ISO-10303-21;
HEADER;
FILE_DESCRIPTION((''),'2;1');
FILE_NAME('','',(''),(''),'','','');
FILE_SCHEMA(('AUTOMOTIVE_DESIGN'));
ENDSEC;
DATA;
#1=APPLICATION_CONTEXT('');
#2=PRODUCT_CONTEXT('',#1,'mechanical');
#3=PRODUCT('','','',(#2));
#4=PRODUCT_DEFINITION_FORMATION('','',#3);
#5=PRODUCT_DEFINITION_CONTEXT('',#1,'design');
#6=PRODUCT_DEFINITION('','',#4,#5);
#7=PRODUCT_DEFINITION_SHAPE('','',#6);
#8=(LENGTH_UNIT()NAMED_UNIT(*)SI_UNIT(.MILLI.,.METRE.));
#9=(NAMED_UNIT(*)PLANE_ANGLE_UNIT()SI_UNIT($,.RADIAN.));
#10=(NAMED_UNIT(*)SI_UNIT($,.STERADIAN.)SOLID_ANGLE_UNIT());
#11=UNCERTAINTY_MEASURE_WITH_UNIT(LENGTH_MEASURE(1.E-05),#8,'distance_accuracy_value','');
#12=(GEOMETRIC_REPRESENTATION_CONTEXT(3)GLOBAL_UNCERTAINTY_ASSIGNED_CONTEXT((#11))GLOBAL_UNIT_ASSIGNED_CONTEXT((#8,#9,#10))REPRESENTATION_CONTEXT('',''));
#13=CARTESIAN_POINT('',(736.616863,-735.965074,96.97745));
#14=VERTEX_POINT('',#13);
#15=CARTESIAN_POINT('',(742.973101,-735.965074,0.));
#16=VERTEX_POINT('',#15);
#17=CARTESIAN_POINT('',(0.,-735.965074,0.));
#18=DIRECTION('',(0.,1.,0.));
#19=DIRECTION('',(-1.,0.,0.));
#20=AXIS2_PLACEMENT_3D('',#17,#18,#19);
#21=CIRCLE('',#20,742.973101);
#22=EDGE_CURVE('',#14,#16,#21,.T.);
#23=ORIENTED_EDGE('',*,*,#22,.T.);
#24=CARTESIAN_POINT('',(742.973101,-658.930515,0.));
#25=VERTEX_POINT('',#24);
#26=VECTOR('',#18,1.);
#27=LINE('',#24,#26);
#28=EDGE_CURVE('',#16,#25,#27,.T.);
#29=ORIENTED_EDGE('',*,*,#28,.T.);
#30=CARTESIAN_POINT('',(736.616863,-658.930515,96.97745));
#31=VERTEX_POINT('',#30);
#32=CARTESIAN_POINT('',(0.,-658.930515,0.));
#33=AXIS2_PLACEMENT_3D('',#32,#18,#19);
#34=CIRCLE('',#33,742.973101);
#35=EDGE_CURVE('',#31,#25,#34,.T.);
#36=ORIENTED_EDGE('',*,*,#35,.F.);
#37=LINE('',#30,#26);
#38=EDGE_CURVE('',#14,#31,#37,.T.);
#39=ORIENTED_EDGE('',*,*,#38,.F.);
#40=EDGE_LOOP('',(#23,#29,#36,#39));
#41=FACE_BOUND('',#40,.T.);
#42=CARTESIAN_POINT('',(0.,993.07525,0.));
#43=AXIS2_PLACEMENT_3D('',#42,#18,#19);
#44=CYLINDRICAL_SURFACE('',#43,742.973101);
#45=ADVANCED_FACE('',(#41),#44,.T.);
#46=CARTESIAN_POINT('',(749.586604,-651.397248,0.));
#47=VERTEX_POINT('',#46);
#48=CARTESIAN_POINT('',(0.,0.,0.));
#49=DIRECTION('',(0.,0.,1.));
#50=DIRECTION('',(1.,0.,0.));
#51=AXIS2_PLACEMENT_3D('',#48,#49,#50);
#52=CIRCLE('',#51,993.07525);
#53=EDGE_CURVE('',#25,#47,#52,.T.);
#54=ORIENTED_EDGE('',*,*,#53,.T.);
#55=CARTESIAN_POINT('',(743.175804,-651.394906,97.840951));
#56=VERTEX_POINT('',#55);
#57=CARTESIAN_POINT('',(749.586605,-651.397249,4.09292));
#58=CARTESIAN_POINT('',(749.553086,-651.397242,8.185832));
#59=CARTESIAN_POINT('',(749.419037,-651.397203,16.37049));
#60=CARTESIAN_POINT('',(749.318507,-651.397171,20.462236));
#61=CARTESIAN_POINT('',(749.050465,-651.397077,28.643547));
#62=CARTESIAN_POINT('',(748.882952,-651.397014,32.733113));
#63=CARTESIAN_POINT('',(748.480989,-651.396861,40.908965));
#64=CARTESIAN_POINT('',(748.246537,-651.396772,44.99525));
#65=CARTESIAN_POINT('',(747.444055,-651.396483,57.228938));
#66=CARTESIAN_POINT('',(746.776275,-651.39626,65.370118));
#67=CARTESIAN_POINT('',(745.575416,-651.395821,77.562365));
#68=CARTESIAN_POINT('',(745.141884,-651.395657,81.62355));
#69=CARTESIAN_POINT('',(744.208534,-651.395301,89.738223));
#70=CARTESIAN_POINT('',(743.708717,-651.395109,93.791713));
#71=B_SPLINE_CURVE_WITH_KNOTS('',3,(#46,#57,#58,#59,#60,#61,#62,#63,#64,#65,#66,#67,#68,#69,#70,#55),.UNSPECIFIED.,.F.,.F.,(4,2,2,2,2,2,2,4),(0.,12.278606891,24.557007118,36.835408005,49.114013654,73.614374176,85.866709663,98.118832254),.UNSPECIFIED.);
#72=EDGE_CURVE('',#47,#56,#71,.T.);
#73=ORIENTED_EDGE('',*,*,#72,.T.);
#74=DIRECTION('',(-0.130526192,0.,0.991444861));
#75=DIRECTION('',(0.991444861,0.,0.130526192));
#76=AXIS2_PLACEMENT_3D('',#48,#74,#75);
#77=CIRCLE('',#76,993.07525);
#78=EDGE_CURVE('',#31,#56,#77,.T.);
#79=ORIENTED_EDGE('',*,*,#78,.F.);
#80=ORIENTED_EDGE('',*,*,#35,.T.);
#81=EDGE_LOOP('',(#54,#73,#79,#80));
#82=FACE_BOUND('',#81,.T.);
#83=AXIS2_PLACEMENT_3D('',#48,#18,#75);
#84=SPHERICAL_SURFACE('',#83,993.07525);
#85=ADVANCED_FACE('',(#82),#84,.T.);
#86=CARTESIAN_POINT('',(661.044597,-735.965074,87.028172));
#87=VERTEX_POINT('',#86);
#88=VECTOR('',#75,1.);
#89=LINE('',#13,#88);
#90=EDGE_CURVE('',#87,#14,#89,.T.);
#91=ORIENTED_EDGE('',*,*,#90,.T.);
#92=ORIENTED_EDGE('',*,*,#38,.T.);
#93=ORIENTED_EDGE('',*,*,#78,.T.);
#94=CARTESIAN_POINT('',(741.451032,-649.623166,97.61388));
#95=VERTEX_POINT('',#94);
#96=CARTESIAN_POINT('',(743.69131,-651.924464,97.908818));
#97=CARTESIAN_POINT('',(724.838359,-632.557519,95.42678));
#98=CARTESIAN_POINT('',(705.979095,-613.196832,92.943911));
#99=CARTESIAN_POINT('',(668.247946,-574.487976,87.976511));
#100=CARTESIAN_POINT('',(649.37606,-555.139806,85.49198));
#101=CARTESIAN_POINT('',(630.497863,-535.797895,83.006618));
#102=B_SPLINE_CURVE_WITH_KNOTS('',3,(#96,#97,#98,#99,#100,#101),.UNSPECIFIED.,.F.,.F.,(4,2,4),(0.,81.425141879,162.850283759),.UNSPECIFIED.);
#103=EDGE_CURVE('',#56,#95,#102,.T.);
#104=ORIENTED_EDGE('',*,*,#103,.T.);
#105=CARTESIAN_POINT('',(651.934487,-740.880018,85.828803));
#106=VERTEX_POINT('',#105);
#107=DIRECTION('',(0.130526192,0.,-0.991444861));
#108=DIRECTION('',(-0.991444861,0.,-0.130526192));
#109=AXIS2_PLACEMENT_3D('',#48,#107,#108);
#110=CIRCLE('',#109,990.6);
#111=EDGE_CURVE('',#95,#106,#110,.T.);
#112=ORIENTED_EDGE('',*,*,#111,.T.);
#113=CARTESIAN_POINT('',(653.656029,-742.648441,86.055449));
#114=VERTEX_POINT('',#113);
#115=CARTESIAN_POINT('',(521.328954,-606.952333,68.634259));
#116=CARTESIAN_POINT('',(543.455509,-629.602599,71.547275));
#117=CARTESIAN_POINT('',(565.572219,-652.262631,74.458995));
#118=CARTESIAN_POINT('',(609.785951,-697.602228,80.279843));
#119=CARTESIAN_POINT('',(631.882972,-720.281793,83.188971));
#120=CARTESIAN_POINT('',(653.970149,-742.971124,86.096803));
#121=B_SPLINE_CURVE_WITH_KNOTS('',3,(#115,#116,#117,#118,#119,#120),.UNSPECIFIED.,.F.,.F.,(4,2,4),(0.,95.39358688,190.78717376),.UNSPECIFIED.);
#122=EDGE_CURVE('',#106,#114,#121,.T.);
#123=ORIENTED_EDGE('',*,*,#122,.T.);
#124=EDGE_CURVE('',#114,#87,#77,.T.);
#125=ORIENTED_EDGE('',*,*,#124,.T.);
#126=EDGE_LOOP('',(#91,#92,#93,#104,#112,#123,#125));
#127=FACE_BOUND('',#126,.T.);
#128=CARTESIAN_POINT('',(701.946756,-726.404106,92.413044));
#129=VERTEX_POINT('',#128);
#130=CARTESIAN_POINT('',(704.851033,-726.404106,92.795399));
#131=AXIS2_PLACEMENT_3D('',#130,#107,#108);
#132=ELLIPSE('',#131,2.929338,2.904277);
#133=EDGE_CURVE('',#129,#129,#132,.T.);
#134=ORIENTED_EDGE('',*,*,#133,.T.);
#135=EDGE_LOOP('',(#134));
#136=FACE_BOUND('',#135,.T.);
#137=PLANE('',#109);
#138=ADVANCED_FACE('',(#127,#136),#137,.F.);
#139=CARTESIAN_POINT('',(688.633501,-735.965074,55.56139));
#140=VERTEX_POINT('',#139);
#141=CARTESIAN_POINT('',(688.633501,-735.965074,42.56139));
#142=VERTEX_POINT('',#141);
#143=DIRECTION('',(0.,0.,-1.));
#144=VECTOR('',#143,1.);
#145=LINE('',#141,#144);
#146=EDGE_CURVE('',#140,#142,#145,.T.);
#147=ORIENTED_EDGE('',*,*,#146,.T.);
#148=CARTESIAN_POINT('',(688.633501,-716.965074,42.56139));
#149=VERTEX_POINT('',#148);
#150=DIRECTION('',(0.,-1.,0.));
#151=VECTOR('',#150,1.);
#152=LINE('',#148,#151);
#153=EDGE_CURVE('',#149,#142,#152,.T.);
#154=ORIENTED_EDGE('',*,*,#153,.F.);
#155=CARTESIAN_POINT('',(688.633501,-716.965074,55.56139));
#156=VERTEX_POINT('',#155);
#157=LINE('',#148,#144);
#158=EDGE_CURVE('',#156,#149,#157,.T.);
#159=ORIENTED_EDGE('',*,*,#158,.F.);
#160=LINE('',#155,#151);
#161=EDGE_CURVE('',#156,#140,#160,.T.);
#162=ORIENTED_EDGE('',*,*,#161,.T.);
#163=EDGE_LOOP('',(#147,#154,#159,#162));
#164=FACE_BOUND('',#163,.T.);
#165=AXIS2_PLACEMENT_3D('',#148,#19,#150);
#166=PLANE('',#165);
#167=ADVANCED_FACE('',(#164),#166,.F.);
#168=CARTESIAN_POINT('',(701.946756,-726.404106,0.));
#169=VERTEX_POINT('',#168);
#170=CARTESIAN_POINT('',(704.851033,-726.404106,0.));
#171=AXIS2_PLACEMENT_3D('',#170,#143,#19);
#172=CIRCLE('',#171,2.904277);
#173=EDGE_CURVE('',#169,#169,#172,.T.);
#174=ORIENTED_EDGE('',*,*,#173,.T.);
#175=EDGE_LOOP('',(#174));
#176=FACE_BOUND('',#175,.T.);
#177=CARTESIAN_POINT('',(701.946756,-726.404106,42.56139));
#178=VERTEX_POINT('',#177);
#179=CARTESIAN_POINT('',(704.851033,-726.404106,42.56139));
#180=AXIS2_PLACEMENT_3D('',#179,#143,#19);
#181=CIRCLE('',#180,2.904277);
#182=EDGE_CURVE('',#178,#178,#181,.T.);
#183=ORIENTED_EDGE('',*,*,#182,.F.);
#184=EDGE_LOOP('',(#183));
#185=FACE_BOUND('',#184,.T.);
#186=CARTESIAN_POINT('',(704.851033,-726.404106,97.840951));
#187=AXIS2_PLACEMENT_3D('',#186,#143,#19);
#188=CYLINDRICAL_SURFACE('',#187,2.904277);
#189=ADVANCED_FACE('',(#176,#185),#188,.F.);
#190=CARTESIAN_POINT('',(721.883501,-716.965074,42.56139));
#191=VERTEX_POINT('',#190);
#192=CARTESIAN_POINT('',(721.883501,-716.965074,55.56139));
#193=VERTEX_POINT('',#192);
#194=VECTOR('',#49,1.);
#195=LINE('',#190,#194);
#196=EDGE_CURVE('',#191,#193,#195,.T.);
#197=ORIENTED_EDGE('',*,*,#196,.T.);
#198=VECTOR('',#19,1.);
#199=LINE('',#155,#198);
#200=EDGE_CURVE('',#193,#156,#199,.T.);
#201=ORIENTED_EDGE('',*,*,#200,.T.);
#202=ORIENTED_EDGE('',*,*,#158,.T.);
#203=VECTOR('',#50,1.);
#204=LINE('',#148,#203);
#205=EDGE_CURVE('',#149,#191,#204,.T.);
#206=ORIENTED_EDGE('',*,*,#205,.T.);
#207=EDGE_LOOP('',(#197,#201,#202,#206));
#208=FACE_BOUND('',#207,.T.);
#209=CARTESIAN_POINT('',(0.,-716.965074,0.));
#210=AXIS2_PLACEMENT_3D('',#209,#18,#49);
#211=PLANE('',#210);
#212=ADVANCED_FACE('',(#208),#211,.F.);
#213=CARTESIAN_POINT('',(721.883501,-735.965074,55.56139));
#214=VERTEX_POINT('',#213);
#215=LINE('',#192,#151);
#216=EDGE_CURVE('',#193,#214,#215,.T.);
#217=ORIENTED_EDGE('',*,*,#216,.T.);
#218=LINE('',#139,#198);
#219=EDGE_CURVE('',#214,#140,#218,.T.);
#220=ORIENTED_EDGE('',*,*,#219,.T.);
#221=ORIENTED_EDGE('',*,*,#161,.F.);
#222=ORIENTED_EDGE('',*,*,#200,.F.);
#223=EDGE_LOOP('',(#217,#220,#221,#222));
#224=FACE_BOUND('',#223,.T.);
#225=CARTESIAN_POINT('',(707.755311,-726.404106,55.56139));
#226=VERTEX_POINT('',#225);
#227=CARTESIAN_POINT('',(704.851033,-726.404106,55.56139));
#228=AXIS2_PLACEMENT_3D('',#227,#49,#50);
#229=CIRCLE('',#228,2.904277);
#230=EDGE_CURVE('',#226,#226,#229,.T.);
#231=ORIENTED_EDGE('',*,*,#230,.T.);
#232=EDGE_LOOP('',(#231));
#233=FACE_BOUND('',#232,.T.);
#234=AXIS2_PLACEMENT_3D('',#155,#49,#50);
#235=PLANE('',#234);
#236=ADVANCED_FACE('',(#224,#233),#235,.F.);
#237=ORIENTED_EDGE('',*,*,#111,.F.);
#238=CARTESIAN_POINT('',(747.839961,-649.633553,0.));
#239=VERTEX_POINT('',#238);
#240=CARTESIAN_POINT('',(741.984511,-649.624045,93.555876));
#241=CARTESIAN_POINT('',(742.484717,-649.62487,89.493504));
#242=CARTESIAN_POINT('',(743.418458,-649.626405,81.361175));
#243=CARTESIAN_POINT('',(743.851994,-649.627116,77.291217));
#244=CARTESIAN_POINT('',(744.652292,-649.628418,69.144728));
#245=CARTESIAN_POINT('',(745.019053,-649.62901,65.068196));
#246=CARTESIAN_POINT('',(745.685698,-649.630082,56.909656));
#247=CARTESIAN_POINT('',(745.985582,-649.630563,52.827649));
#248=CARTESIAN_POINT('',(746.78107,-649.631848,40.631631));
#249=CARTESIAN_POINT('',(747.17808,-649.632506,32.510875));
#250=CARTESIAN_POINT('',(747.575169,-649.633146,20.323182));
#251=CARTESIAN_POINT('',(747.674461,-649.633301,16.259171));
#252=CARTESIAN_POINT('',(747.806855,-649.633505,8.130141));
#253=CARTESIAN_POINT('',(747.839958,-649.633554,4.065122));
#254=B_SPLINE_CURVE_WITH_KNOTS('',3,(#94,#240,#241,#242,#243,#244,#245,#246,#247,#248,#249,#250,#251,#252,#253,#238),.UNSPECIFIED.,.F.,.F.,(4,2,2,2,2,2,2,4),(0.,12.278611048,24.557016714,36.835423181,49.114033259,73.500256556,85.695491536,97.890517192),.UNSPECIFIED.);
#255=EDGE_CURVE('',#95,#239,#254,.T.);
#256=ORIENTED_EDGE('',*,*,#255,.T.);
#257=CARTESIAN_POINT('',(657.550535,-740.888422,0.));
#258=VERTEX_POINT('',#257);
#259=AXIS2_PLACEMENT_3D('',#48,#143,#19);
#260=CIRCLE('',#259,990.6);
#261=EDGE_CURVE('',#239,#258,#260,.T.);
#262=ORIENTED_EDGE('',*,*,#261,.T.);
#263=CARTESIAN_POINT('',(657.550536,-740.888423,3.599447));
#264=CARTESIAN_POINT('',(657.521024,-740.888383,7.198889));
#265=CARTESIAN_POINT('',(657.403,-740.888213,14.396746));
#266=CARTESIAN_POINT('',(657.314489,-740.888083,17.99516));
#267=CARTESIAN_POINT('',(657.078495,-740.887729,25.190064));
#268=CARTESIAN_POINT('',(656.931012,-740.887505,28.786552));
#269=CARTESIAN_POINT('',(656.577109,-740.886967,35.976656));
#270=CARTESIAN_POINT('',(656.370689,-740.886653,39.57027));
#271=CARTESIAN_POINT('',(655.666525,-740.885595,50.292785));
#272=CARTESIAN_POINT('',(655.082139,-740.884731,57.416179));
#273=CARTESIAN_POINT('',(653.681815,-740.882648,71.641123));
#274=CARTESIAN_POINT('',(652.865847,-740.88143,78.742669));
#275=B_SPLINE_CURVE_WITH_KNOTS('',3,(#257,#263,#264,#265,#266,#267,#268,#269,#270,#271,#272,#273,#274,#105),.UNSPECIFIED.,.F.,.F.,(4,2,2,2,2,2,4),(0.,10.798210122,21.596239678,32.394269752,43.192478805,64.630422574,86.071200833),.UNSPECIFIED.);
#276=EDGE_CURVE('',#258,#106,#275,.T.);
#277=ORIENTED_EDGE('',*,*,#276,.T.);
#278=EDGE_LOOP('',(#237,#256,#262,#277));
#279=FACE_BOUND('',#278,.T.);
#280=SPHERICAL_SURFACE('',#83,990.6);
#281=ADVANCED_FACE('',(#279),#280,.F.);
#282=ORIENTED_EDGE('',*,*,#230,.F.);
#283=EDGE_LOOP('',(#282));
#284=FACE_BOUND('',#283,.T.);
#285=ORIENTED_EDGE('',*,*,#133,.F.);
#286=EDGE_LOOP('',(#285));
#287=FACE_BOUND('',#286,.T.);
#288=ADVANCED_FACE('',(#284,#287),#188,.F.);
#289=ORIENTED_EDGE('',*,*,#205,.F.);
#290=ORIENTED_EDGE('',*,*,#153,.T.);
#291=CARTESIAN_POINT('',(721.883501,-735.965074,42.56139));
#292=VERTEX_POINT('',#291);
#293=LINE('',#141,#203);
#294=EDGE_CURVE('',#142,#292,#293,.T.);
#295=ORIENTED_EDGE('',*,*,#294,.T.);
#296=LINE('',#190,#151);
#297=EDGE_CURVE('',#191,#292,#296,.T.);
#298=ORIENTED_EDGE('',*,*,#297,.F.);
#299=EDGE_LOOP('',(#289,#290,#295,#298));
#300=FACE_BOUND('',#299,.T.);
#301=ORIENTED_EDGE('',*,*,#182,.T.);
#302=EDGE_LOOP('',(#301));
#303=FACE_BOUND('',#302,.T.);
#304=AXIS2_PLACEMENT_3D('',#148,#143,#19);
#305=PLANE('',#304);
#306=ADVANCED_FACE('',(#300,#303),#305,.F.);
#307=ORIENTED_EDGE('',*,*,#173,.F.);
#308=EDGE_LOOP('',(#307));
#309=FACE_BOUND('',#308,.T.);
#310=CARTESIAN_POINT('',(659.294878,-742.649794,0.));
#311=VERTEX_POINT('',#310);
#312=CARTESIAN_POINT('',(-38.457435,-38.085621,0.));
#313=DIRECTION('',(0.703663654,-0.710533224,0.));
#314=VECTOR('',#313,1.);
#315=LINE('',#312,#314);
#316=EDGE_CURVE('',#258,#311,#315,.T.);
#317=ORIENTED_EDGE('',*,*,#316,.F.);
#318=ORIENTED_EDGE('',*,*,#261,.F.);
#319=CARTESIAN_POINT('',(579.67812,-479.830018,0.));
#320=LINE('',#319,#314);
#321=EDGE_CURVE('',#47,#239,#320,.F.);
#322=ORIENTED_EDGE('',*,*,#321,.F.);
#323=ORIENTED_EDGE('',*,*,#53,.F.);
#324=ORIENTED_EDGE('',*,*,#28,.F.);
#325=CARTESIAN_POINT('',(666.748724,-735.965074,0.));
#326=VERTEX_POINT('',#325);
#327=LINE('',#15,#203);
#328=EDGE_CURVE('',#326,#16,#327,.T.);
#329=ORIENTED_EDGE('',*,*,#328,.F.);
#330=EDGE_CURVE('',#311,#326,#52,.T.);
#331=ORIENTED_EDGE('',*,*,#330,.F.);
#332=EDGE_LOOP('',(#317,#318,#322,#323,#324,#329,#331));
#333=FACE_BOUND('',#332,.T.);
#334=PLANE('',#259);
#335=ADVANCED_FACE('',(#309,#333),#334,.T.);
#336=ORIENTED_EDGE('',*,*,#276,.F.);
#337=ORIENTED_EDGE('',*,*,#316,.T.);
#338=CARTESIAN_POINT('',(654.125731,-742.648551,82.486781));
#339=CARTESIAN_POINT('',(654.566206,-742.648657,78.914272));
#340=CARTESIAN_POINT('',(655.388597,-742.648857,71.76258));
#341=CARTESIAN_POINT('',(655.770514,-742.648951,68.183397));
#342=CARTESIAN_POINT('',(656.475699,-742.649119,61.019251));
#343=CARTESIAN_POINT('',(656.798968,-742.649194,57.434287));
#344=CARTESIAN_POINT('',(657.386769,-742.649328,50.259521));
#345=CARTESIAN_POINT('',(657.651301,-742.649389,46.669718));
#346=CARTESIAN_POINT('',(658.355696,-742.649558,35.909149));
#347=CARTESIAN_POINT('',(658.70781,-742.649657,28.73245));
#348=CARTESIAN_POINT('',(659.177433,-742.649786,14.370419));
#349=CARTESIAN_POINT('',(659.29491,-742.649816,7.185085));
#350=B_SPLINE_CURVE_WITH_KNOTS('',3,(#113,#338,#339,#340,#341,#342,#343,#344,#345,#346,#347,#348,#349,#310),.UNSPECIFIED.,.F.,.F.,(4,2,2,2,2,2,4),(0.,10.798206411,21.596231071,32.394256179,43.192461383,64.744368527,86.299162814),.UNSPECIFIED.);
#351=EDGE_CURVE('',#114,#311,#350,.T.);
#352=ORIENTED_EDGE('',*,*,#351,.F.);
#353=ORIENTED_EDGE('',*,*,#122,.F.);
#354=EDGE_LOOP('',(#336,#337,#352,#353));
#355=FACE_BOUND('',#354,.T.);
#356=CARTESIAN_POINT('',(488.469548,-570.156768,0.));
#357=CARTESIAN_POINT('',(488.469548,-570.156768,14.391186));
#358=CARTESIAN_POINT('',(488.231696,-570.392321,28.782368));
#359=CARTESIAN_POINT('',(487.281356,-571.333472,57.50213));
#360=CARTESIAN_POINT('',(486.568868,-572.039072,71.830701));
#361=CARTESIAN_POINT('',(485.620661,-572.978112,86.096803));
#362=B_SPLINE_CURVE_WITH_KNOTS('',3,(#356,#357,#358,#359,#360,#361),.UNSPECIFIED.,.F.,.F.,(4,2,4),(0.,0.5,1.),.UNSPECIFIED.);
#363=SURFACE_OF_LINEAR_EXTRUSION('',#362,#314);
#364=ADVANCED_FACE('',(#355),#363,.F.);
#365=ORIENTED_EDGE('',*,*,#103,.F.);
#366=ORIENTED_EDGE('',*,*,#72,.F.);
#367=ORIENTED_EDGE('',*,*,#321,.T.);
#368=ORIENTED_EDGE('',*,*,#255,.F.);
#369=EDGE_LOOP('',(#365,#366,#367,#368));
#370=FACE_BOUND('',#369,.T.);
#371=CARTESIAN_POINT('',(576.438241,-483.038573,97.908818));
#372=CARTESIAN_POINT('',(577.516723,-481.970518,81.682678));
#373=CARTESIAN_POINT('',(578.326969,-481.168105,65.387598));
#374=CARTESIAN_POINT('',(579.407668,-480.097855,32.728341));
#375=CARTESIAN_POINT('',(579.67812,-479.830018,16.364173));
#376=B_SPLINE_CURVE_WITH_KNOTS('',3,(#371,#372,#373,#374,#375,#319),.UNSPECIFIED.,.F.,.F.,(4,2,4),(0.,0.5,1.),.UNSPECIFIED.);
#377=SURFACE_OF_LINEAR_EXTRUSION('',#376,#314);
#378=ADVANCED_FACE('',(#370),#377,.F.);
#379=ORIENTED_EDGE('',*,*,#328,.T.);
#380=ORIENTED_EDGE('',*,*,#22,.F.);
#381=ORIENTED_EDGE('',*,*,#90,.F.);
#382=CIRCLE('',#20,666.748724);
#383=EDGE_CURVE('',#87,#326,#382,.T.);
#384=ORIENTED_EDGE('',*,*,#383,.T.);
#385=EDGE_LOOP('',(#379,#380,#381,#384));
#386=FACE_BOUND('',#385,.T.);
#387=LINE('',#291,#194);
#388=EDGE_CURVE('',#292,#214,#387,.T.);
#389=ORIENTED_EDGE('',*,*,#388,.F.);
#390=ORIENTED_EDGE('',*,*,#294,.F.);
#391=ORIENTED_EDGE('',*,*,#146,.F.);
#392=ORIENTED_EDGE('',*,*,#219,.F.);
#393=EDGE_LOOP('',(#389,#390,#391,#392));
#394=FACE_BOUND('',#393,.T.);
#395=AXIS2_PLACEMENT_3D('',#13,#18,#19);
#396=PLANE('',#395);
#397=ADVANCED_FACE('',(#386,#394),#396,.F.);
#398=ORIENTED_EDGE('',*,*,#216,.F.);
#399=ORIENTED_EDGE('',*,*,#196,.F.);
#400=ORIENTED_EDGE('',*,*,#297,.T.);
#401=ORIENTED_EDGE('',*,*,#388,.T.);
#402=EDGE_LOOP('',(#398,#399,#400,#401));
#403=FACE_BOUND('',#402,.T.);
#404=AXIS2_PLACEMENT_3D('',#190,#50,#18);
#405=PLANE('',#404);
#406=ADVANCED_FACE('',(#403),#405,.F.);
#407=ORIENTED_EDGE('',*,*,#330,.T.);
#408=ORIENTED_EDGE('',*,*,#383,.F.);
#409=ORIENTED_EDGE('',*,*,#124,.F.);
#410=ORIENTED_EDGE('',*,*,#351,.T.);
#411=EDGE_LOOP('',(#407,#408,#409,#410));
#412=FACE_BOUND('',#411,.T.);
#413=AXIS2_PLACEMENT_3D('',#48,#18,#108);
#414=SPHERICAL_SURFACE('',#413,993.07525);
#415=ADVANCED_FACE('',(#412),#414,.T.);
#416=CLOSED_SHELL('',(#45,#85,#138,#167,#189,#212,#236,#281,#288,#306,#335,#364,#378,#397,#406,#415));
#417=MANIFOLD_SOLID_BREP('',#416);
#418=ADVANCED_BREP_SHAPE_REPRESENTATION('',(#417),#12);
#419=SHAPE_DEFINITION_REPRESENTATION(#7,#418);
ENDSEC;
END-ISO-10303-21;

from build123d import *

# Parameters (mm, degrees)
REVOLVE2_ANGLE           = 7.5
SKETCH4_W                = 33.25
SKETCH4_H                = 13
CUT_EXTRUDE5_DEPTH       = 19
SKETCH7_W                = 33.25
SKETCH7_H                = 13
CUT_EXTRUDE7_DEPTH       = 19
CUT_EXTRUDE11_DEPTH      = 1411.389609827
CUT_EXTRUDE11_DEPTH_BACK = 1411.389609827
SKETCH10_W               = 2135.270707333
SKETCH10_H               = 1606.592084843
SKETCH10_W_2             = 966.47859296
SKETCH10_H_2             = 313.33759653
CUT_EXTRUDE12_DEPTH      = 268.568661532
CUT_EXTRUDE12_DEPTH_BACK = 268.568661532
CUT_EXTRUDE13_DEPTH      = 1057.643677587
CUT_EXTRUDE13_DEPTH_BACK = 1057.643677587
SKETCH14_R               = 2.904277488


with BuildPart() as part:
    # Sketch2 → Revolve2 (revolve)
    with BuildSketch(Plane.XY):
        with BuildLine():
            Line((0, 993.075249624), (0, 990.6))
            ThreePointArc((0, 990.6), (990.6, 0), (0, -990.6))
            Line((0, -990.6), (0, -993.075249624))
            ThreePointArc((0, -993.075249624), (357.30221933, -926.570869107), (666.748724276, -735.965073963))
            Line((666.748724276, -735.965073963), (742.973100692, -735.965073963))
            Line((742.973100692, -735.965073963), (742.973100692, -658.930514596))
            ThreePointArc((742.973100692, -658.930514596), (993.075236283, 0.162783709), (742.757038562, 659.174053709))
            Line((742.757038562, 659.174053709), (742.757038562, 722.715073963))
            Line((742.757038562, 722.715073963), (681.088374063, 722.715073963))
            ThreePointArc((681.088374063, 722.715073963), (366.393230651, 923.013787519), (0, 993.075249624))
        make_face()
    revolve(axis=Axis((0, 993.075249624, 0), (0, -1, 0)), revolution_arc=REVOLVE2_ANGLE)

    # Sketch4 → Cut-Extrude5 (cut)
    with BuildSketch(Plane.XZ.offset(735.965073963)):
        with Locations((705.258501449, 49.061390401)):
            Rectangle(SKETCH4_W, SKETCH4_H)
    extrude(amount=-CUT_EXTRUDE5_DEPTH, mode=Mode.SUBTRACT)

    # Sketch7 → Cut-Extrude7 (cut)
    with BuildSketch(Plane(origin=(0, 722.715073963, 0), x_dir=(-1, 0, 0), z_dir=(0, 1, 0))):
        with Locations((-714.999743141, 46.422731407)):
            Rectangle(SKETCH7_W, SKETCH7_H)
    extrude(amount=-CUT_EXTRUDE7_DEPTH, mode=Mode.SUBTRACT)

    # Sketch10 → Cut-Extrude11 (cut, two sides: drawn at the far end of the back side and taken through both)
    with BuildSketch(Plane.XY.offset(-CUT_EXTRUDE11_DEPTH_BACK)):
        with Locations((557.489585025, 267.498147025)):
            Rectangle(SKETCH10_W, SKETCH10_H)
        with Locations((142.971717026, -995.026755504)):
            Rectangle(SKETCH10_W_2, SKETCH10_H_2)
    extrude(amount=CUT_EXTRUDE11_DEPTH + CUT_EXTRUDE11_DEPTH_BACK, mode=Mode.SUBTRACT)

    # Sketch13 → Cut-Extrude12 (cut, two sides: drawn at the far end of the back side and taken through both)
    with BuildSketch(Plane(origin=(698.790958408, -705.612958968, 0), x_dir=(-0.7105332241790022, -0.7036636535574307, 0), z_dir=(0.7036636535574307, -0.7105332241790022, 0)).offset(-CUT_EXTRUDE12_DEPTH_BACK)):
        with BuildLine():
            Line((-69.681834332, -97.908818451), (-74.241619372, -183.690208107))
            Line((-74.241619372, -183.690208107), (-254.584821077, -153.98925059))
            Line((-254.584821077, -153.98925059), (-254.584821077, 36.219080684))
            Line((-254.584821077, 36.219080684), (-86.443079936, 59.043829873))
            Line((-86.443079936, 59.043829873), (-74.241619372, 0))
            add(Edge.make_bspline(
                [(-74.241619372, 0), (-74.241619372, -16.364172879), (-73.860987213, -32.728340935), (-72.340019213, -65.387598256), (-71.199683881, -81.682677909), (-69.681834332, -97.908818451)],
                knots=[0, 0, 0, 0, 0.5, 0.5, 1, 1, 1, 1], degree=3))
        make_face()
        with BuildLine():
            Line((58.134257499, -86.096803452), (71.382276514, -183.690208107))
            Line((71.382276514, -183.690208107), (231.781280969, -140.799513279))
            Line((231.781280969, -140.799513279), (262.814223376, 47.631455278))
            Line((262.814223376, 47.631455278), (38.648828203, 72.943770658))
            Line((38.648828203, 72.943770658), (54.124752058, 0))
            add(Edge.make_bspline(
                [(54.124752058, 0), (54.124752058, -14.39118635), (54.459503156, -28.782368118), (55.797005676, -57.502130085), (56.799756733, -71.830701127), (58.134257499, -86.096803452)],
                knots=[0, 0, 0, 0, 0.5, 0.5, 1, 1, 1, 1], degree=3))
        make_face()
    extrude(amount=CUT_EXTRUDE12_DEPTH + CUT_EXTRUDE12_DEPTH_BACK, mode=Mode.SUBTRACT)

    # Sketch14 → Cut-Extrude13 (cut, two sides: drawn at the far end of the back side and taken through both)
    with BuildSketch(Plane(origin=(0, 0, 55.561390401), x_dir=(-1, 0, 0), z_dir=(0, 0, -1)).offset(-CUT_EXTRUDE13_DEPTH_BACK)):
        with Locations((-704.851033101, -726.404105815)):
            Circle(SKETCH14_R)
    extrude(amount=CUT_EXTRUDE13_DEPTH + CUT_EXTRUDE13_DEPTH_BACK, mode=Mode.SUBTRACT)


solid = part.part
